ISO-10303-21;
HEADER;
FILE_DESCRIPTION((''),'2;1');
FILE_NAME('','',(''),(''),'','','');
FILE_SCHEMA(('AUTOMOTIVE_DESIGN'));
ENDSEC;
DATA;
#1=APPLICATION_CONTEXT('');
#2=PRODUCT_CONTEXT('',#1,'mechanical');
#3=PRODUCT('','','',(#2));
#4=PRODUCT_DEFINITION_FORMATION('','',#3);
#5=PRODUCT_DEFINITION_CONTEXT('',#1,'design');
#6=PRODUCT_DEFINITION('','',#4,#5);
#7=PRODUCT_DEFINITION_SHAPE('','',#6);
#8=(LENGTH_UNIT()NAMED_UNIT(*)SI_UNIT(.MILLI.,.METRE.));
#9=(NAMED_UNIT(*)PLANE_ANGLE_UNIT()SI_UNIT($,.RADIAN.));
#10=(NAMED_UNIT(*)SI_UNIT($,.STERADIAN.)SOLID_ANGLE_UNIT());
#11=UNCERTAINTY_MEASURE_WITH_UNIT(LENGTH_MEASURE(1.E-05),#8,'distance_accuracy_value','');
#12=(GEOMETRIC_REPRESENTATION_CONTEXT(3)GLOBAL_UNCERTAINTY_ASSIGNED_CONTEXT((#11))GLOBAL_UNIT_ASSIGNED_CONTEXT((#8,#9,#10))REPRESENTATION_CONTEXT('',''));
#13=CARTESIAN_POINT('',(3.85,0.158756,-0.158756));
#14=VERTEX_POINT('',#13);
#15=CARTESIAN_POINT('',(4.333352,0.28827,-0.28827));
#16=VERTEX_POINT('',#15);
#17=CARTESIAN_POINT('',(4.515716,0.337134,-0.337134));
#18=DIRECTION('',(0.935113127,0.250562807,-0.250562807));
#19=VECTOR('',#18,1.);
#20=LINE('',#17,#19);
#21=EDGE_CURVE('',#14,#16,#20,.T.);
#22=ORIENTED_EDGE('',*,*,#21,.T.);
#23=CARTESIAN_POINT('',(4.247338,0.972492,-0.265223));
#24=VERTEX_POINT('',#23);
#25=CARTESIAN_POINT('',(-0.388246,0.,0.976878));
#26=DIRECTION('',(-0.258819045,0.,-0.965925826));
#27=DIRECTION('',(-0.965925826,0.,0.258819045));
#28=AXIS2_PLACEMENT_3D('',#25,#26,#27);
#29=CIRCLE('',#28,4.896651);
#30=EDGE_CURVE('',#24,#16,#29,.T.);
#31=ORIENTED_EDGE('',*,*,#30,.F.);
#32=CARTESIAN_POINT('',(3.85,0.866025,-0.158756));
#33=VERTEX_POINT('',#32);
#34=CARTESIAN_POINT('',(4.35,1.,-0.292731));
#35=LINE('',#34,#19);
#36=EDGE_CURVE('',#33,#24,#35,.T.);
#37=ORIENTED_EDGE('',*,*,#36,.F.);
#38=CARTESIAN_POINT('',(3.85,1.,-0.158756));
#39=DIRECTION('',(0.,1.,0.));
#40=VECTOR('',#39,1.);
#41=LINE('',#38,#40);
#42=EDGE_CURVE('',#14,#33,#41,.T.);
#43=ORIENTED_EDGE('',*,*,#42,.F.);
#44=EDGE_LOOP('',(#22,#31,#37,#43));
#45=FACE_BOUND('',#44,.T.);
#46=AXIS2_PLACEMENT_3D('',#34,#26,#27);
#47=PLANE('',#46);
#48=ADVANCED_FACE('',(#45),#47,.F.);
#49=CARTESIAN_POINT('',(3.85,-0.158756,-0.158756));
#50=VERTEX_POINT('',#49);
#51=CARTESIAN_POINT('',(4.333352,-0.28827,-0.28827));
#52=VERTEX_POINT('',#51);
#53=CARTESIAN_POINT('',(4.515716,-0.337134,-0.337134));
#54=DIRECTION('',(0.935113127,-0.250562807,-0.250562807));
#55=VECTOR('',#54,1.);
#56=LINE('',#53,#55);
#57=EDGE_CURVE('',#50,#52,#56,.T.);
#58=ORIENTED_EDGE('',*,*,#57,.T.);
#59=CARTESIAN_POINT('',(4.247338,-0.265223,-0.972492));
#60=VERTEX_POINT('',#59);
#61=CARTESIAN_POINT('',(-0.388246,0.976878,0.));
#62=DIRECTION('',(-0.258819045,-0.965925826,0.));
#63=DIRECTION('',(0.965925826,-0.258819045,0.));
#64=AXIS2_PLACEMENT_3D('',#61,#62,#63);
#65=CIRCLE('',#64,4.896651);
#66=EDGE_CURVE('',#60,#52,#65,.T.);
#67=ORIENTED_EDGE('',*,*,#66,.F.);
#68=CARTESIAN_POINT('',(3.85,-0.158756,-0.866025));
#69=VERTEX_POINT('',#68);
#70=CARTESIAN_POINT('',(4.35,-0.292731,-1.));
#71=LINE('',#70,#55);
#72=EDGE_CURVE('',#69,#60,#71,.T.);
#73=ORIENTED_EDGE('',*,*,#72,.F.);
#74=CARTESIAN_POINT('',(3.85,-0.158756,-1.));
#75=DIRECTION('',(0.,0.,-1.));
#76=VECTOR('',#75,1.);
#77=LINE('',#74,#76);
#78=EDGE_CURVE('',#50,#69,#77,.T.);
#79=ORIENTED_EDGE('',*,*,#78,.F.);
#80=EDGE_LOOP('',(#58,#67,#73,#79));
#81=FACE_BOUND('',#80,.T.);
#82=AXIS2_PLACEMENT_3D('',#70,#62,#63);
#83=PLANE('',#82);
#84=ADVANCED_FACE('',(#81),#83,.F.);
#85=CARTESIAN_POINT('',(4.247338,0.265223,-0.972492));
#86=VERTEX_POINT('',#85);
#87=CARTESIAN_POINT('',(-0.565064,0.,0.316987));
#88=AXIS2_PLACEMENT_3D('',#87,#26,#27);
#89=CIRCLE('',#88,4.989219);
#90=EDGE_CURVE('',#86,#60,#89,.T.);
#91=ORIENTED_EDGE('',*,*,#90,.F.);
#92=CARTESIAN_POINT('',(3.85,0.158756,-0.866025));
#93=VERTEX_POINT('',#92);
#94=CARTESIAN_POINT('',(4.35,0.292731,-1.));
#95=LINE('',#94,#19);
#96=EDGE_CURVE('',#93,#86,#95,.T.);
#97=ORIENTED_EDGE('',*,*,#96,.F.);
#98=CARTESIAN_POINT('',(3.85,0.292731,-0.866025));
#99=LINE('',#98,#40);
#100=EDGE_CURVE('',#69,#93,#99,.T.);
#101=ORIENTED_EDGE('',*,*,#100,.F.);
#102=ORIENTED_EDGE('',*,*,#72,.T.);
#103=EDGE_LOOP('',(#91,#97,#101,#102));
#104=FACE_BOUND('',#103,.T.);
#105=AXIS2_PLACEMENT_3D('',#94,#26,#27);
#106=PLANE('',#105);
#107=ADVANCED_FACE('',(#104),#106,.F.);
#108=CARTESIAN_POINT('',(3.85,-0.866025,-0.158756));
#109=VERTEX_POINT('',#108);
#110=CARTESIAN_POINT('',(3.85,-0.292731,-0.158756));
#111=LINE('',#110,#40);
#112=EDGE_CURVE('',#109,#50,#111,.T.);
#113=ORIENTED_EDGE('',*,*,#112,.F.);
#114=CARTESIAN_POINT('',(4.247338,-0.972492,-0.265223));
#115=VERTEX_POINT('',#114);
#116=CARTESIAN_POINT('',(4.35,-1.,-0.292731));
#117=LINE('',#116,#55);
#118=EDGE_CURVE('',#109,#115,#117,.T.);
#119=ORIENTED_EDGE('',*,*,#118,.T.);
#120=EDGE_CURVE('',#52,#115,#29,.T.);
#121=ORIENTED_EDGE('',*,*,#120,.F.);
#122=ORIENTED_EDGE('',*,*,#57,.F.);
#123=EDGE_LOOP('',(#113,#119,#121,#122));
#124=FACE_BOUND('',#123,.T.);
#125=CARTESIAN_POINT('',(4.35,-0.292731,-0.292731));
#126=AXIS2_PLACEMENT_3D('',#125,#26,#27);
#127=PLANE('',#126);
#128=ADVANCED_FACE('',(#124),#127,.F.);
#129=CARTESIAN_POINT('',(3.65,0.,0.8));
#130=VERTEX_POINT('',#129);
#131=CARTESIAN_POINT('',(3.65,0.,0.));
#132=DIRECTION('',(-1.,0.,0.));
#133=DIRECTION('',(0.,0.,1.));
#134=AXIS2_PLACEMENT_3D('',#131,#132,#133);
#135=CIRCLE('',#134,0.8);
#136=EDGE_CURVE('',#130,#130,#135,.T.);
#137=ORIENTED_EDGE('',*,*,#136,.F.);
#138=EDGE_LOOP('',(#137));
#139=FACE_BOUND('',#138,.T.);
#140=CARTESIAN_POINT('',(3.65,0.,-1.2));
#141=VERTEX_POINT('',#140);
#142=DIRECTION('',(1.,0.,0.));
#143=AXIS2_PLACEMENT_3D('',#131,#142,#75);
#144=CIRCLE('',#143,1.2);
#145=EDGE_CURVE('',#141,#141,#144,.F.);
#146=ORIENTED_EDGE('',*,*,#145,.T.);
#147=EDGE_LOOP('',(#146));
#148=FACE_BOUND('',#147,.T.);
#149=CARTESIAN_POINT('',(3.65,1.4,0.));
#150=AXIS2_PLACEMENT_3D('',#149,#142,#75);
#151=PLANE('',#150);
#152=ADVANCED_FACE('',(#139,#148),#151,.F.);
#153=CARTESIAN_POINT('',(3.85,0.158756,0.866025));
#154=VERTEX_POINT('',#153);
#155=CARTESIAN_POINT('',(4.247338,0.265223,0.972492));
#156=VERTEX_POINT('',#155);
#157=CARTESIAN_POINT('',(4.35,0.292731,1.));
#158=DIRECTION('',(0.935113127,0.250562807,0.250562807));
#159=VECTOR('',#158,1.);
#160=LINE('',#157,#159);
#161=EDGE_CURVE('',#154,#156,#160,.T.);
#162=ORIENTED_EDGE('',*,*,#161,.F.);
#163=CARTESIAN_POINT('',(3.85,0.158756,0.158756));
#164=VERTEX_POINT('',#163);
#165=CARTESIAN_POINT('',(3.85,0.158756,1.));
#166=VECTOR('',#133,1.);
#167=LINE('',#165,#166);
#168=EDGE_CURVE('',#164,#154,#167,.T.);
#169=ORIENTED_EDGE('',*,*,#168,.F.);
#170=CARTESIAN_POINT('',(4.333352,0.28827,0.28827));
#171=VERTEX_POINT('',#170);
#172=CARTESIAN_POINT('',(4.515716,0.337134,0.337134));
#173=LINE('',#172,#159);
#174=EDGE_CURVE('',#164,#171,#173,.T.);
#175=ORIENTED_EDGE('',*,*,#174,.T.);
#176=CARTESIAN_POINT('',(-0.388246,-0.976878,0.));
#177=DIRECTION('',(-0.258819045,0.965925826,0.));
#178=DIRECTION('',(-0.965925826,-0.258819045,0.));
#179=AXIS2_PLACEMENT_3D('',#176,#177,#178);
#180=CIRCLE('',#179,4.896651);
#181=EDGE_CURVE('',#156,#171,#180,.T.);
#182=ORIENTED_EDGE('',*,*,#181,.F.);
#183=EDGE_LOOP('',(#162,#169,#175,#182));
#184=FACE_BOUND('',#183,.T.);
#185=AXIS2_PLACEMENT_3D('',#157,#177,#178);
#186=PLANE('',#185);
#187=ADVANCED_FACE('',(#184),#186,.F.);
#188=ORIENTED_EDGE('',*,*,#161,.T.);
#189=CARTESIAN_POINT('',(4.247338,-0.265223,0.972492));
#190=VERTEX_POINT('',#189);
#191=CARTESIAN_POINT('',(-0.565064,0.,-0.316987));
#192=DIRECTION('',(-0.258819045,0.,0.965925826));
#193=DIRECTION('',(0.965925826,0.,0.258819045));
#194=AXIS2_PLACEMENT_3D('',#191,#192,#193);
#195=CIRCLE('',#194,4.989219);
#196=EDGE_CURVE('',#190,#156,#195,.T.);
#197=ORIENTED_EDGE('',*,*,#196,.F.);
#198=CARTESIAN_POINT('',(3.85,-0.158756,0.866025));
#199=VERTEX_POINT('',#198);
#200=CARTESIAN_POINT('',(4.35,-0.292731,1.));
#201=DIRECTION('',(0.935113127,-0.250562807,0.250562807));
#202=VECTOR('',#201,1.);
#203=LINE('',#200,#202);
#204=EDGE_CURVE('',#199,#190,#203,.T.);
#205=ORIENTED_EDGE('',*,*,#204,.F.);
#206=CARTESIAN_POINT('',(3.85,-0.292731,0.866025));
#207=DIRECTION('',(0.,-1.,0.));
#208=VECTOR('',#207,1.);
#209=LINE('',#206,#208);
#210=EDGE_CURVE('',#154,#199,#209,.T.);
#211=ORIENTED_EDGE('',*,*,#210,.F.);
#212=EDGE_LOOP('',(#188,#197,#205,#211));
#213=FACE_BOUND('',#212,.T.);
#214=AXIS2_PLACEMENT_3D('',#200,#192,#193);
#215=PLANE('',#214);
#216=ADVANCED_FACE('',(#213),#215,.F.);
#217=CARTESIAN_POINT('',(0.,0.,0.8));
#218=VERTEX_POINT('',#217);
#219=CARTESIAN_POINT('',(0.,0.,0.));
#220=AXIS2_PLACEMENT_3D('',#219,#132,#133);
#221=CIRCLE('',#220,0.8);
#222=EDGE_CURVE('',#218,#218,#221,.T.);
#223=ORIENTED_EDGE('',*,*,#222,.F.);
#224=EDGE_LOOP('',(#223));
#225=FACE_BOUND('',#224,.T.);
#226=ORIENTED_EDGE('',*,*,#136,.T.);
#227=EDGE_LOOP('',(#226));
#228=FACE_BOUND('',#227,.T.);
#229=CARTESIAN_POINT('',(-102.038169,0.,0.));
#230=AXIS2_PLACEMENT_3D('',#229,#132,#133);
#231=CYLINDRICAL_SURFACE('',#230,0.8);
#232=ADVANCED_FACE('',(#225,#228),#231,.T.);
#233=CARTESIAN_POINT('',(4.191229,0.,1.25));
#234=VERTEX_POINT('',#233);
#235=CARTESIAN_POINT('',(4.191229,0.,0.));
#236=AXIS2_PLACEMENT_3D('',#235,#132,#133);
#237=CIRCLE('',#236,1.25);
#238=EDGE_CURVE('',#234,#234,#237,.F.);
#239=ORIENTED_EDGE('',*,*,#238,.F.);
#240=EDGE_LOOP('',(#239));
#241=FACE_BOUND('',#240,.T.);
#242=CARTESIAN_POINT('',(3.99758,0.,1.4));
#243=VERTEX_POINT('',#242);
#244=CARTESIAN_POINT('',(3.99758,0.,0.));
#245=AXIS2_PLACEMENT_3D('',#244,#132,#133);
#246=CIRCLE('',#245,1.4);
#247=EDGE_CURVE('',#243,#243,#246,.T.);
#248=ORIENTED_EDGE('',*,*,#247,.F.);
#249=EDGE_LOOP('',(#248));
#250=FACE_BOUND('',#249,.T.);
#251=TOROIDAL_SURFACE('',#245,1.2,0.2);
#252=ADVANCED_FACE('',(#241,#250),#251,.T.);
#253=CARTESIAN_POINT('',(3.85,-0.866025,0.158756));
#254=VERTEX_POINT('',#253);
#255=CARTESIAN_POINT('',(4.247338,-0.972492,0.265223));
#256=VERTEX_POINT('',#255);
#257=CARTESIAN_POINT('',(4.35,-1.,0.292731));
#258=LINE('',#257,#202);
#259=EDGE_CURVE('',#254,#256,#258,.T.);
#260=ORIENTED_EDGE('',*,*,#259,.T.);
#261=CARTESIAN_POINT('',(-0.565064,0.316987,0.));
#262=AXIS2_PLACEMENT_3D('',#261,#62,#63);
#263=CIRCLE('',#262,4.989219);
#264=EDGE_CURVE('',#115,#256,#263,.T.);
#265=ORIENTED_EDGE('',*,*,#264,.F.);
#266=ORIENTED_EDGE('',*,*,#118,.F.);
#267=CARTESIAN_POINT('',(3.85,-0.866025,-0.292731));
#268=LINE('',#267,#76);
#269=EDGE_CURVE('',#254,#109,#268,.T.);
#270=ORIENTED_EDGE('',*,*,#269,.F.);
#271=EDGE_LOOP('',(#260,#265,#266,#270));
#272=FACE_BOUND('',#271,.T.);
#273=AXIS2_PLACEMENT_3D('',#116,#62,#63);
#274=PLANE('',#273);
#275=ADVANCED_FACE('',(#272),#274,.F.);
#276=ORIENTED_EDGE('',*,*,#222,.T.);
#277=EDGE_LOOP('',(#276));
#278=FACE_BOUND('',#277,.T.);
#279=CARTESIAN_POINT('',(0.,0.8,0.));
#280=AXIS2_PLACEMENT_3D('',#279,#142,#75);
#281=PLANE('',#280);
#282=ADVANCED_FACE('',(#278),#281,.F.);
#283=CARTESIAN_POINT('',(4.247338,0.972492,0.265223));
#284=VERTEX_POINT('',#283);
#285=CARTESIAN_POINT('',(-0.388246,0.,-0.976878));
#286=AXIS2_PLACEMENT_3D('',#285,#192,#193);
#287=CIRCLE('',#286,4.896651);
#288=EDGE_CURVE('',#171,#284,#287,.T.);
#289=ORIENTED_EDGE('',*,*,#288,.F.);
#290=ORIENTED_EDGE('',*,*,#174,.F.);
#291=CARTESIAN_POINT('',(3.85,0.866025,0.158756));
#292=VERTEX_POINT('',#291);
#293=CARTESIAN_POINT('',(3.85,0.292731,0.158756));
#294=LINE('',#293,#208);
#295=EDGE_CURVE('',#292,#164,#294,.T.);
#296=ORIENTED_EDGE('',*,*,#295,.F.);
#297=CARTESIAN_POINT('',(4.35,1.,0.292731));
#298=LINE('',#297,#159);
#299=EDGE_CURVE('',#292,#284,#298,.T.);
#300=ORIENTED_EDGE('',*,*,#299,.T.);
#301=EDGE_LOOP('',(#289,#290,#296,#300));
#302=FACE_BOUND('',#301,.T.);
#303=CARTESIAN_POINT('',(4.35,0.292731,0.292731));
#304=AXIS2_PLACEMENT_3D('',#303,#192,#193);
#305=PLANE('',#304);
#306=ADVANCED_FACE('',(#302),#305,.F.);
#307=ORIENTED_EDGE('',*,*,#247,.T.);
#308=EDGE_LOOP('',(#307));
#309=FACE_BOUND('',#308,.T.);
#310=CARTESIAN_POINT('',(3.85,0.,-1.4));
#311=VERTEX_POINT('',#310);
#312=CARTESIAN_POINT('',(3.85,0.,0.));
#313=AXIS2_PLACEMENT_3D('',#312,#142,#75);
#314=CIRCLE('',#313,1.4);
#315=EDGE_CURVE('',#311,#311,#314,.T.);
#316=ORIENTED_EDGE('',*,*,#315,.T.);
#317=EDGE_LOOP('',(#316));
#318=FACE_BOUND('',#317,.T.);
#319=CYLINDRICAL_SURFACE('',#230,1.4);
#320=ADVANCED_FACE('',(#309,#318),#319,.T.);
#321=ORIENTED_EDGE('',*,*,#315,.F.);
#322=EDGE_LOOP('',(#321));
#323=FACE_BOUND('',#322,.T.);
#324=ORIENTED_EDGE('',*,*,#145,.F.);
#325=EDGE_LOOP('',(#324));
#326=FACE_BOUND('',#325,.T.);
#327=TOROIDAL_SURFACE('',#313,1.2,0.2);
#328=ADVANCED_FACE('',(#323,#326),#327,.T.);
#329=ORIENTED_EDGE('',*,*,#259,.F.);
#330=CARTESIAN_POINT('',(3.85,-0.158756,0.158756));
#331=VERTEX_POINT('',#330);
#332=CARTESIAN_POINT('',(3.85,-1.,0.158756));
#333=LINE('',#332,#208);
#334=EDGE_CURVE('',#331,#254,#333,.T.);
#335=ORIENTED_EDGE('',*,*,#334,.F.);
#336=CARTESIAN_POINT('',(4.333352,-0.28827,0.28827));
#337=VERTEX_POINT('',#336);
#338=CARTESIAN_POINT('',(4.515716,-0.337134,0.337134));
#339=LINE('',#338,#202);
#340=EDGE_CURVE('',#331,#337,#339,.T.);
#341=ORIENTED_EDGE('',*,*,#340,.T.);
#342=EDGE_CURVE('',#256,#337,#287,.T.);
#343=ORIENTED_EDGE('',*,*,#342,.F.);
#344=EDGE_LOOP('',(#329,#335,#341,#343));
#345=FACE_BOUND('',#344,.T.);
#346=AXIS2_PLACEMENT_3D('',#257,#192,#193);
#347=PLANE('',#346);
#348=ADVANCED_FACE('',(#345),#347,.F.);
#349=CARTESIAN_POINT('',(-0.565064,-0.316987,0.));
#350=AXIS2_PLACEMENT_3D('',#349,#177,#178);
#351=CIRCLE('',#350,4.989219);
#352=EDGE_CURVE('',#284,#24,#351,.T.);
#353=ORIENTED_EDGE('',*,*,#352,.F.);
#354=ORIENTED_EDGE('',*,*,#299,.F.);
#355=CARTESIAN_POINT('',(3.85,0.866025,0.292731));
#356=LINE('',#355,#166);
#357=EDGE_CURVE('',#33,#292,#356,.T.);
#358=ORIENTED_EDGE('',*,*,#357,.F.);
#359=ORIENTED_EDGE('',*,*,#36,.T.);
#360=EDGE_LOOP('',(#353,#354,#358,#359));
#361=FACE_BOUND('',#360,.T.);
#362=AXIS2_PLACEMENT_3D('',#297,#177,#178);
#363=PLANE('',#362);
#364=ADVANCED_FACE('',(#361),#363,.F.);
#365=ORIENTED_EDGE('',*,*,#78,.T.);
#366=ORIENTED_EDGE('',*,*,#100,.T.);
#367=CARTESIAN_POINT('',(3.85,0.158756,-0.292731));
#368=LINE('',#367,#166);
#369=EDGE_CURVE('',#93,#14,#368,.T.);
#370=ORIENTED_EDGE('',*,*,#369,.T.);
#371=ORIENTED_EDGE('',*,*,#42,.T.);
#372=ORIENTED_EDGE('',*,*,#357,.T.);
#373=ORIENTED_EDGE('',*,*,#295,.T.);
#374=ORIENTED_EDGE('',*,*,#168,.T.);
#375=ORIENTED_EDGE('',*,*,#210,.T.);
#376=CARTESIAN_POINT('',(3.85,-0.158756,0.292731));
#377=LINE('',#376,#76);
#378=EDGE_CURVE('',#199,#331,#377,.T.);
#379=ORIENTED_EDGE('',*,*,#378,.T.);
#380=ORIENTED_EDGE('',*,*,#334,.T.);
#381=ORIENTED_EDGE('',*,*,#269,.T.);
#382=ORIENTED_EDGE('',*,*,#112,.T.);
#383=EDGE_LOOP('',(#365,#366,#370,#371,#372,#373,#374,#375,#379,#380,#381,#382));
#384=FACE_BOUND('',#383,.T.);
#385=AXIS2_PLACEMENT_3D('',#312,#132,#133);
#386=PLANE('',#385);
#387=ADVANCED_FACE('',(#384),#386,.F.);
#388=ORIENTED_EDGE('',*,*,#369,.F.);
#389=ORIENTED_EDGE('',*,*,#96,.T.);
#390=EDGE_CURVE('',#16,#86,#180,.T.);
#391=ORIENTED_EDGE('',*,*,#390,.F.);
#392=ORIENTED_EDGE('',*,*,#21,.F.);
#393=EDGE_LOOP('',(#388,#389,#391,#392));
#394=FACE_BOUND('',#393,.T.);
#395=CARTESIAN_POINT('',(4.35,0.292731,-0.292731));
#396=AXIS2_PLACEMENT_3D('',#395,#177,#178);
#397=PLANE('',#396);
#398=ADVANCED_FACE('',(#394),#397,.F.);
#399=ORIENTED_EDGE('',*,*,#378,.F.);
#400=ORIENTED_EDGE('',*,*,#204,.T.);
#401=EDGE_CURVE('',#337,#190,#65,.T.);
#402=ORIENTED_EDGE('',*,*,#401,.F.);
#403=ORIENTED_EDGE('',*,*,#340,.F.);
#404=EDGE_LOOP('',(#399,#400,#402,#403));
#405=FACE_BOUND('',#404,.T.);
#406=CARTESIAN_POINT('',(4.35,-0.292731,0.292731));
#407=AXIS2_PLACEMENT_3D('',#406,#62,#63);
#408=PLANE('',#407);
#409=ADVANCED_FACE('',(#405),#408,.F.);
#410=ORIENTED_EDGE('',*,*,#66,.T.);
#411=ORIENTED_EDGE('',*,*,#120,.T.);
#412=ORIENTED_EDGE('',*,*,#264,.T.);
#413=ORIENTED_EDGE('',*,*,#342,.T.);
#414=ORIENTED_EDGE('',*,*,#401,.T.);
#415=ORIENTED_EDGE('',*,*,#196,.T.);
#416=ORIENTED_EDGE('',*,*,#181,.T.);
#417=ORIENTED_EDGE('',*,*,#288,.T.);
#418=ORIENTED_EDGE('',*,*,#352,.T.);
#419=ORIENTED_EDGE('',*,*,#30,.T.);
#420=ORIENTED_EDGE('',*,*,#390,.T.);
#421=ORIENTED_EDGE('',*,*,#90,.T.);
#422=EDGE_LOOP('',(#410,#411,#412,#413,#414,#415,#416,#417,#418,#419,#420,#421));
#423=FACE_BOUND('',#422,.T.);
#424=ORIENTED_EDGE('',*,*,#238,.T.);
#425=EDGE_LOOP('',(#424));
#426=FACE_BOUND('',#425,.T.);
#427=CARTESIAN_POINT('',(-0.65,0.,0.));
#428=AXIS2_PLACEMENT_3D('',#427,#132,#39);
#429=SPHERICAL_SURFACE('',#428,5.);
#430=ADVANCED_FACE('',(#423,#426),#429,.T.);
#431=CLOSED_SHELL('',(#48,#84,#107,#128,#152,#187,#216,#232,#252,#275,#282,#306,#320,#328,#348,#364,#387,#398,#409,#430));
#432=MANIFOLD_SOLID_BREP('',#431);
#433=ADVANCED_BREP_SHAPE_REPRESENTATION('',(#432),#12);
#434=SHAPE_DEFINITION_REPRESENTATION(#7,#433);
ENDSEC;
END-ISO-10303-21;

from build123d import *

# Parameters (mm, degrees)
FILLET1_R          = 0.2
CUT_EXTRUDE1_DEPTH = 0.5
CUT_EXTRUDE1_TAPER = 15


with BuildPart() as part:
    # Sketch1 → Revolve1 (revolve)
    with BuildSketch(Plane.XY):
        with BuildLine():
            Line((0, 0), (4.35, 0))
            ThreePointArc((4.35, 0), (4.299747468, 0.707106781), (4.15, 1.4))
            Line((4.15, 1.4), (3.65, 1.4))
            Line((3.65, 1.4), (3.65, 0.8))
            Line((3.65, 0.8), (0, 0.8))
            Line((0, 0.8), (0, 0))
        make_face()
    revolve(axis=Axis((-102.03816923, 0, 0), (1, 0, 0)))

    # Fillet1
    fillet1_edges = [part.edges().sort_by_distance(p)[0] for p in [
        (3.65, -1.4, 0),
        (4.15, -1.4, 0),
    ]]
    fillet(fillet1_edges, radius=FILLET1_R)

    # Sketch2 → Cut-Extrude1 (cut)
    with BuildSketch(Plane(origin=(4.35, 0, 0), x_dir=(0, 0, -1), z_dir=(1, 0, 0))):
        Polygon((0.29273093, 1), (-0.29273093, 1), (-0.29273093, 0.29273093), (-1, 0.29273093), (-1, -0.29273093), (-0.29273093, -0.29273093), (-0.29273093, -1), (0.29273093, -1), (0.29273093, -0.29273093), (1, -0.29273093), (1, 0.29273093), (0.29273093, 0.29273093), align=None)
    extrude(amount=-CUT_EXTRUDE1_DEPTH, taper=CUT_EXTRUDE1_TAPER, mode=Mode.SUBTRACT)


solid = part.part
